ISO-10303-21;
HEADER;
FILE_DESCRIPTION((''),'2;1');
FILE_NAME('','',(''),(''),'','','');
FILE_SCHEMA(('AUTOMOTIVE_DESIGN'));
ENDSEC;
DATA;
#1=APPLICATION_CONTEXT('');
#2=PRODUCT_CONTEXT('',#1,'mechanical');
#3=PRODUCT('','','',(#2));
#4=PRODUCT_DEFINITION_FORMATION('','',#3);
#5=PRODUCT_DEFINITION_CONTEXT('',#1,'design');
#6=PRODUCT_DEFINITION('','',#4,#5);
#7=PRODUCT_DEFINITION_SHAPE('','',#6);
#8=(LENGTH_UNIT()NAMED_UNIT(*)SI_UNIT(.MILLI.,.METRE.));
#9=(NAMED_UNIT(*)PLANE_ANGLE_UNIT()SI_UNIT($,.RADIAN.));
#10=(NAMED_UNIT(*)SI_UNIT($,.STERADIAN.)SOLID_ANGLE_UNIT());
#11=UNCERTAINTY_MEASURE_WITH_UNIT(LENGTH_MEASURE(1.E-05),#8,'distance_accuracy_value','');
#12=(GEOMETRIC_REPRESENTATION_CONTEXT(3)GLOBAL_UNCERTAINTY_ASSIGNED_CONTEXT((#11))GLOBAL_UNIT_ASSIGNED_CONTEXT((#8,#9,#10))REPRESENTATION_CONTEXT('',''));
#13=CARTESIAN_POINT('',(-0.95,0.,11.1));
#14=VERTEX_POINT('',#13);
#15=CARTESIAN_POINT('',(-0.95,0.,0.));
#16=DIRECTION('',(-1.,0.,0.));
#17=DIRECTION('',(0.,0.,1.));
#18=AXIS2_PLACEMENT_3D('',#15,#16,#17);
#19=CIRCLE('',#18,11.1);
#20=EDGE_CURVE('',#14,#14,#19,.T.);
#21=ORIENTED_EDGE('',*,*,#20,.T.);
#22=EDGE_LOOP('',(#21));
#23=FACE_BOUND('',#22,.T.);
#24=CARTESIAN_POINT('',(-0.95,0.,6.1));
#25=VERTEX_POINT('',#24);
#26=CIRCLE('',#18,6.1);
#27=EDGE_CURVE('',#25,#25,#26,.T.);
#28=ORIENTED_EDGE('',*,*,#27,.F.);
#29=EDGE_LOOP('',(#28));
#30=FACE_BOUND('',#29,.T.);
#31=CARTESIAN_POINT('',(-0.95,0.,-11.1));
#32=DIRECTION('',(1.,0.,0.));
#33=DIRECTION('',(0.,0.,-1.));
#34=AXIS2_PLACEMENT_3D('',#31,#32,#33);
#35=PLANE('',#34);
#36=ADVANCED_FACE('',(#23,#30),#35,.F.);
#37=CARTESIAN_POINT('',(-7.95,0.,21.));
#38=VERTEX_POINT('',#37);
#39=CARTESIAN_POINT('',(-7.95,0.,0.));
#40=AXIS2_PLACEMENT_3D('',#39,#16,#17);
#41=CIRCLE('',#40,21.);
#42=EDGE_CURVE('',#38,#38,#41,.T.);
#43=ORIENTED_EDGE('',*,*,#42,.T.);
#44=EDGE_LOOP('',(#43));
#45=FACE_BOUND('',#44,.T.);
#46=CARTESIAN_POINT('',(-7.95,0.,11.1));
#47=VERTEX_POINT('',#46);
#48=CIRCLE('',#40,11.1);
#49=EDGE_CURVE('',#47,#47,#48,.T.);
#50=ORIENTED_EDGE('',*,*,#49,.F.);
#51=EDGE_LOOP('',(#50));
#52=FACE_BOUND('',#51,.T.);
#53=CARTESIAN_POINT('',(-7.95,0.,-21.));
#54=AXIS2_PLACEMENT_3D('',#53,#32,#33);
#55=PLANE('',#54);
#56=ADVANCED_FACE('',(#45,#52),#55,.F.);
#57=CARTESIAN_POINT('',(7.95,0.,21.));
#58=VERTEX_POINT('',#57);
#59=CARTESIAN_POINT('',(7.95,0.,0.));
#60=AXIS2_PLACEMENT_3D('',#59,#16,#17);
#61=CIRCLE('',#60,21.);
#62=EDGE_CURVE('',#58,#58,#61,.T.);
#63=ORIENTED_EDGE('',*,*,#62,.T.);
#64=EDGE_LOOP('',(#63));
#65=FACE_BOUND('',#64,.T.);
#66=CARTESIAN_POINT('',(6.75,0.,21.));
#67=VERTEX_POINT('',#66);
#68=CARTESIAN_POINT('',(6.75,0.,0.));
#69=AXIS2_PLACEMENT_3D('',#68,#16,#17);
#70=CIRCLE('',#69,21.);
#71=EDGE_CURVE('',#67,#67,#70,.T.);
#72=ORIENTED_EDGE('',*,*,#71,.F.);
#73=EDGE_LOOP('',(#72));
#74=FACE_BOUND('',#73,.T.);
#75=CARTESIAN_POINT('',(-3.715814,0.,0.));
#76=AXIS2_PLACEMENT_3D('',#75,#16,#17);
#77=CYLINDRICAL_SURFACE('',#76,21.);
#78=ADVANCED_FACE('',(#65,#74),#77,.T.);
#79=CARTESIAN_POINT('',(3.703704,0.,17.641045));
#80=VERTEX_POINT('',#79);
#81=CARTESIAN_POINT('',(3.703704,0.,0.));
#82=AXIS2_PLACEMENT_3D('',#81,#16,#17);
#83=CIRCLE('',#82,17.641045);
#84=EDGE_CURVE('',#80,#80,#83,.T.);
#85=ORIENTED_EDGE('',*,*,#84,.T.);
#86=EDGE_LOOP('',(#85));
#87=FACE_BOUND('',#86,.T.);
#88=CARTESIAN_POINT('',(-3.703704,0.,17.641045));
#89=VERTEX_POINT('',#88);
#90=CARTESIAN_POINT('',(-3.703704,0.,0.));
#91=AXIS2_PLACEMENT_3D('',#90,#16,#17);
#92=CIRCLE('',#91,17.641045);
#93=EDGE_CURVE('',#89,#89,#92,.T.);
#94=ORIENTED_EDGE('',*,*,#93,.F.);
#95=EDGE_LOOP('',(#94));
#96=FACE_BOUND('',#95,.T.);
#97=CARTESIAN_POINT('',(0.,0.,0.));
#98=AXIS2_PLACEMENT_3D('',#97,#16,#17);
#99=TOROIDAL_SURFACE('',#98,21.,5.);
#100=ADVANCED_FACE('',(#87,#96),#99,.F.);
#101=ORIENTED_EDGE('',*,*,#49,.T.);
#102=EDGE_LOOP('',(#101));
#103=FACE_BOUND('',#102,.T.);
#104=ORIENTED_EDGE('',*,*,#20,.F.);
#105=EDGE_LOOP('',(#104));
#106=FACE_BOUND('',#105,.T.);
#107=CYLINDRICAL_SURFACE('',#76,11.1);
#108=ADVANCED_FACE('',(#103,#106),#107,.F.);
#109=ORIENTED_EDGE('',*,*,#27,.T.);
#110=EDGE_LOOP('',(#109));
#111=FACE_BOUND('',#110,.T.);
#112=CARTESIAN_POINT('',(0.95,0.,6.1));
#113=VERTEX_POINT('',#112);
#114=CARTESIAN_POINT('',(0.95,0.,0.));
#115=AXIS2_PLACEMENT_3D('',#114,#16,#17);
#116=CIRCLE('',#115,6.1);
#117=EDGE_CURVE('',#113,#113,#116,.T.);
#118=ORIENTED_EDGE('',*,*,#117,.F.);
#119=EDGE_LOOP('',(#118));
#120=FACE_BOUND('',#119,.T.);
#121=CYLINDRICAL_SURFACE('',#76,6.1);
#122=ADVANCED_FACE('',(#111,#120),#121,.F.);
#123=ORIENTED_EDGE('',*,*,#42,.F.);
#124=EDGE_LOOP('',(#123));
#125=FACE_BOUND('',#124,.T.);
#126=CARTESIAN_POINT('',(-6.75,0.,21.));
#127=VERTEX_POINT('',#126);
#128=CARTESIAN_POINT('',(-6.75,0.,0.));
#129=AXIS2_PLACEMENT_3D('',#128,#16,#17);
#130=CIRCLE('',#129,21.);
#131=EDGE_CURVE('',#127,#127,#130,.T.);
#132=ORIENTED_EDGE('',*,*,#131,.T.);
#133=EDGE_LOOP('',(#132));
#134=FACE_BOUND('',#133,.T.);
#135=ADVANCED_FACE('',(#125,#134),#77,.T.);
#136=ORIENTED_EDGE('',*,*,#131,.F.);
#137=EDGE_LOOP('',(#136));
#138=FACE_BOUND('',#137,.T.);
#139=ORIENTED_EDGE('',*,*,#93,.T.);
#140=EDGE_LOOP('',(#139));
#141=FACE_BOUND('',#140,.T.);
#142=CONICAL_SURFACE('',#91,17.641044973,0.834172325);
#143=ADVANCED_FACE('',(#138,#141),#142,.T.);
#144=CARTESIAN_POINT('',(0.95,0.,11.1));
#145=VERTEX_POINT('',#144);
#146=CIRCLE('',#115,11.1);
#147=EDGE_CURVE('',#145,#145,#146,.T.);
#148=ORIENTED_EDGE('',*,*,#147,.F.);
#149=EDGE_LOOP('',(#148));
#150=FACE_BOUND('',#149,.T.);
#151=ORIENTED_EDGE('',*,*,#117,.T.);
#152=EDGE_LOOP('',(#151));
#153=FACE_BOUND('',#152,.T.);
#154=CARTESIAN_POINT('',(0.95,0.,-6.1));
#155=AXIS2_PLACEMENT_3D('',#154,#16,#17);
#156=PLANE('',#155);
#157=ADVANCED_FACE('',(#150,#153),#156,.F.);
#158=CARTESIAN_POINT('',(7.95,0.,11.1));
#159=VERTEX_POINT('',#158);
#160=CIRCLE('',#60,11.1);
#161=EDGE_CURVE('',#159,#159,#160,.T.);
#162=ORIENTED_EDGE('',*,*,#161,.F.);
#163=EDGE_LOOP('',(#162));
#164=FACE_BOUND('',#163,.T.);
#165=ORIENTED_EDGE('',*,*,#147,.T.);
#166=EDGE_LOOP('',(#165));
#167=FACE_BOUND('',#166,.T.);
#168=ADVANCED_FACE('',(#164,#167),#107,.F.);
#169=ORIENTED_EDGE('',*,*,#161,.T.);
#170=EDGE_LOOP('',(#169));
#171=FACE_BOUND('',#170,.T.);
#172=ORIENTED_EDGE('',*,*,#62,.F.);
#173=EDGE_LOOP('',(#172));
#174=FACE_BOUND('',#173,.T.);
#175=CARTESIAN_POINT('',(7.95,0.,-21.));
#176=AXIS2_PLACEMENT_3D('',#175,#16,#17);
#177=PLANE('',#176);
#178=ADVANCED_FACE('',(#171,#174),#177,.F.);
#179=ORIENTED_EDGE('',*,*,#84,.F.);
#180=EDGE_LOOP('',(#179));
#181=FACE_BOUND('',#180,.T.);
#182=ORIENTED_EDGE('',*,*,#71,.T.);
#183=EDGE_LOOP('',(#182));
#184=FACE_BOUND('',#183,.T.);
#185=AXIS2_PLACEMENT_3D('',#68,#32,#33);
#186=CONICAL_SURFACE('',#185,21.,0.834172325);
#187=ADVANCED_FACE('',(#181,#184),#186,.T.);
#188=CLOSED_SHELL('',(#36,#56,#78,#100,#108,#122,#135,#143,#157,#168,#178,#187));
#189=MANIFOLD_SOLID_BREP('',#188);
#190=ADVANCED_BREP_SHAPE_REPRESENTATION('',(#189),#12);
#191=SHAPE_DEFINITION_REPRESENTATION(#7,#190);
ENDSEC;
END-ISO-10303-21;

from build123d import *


with BuildPart() as part:
    # Sketch1 → Revolve1 (revolve)
    with BuildSketch(Plane(origin=(0, 0, 0), x_dir=(1, 0, 0), z_dir=(0, 1, 0)), mode=Mode.PRIVATE) as revolve1_sk:
        with BuildLine():
            Line((-7.95, 11.1), (-0.95, 11.1))
            Line((-0.95, 11.1), (-0.95, 6.1))
            Line((-0.95, 6.1), (0.95, 6.1))
            Line((0.95, 6.1), (0.95, 11.1))
            Line((0.95, 11.1), (7.95, 11.1))
            Line((7.95, 11.1), (7.95, 21))
            Line((7.95, 21), (6.75, 21))
            Line((6.75, 21), (3.703703704, 17.641044973))
            ThreePointArc((3.703703704, 17.641044973), (0, 16), (-3.703703704, 17.641044973))
            Line((-3.703703704, 17.641044973), (-6.75, 21))
            Line((-6.75, 21), (-7.95, 21))
            Line((-7.95, 21), (-7.95, 11.1))
        make_face()
    revolve(revolve1_sk.sketch.rotate(Axis((-3.715814159, 0, 0), (1, 0, 0)), 180), axis=Axis((-3.715814159, 0, 0), (1, 0, 0)))


solid = part.part
